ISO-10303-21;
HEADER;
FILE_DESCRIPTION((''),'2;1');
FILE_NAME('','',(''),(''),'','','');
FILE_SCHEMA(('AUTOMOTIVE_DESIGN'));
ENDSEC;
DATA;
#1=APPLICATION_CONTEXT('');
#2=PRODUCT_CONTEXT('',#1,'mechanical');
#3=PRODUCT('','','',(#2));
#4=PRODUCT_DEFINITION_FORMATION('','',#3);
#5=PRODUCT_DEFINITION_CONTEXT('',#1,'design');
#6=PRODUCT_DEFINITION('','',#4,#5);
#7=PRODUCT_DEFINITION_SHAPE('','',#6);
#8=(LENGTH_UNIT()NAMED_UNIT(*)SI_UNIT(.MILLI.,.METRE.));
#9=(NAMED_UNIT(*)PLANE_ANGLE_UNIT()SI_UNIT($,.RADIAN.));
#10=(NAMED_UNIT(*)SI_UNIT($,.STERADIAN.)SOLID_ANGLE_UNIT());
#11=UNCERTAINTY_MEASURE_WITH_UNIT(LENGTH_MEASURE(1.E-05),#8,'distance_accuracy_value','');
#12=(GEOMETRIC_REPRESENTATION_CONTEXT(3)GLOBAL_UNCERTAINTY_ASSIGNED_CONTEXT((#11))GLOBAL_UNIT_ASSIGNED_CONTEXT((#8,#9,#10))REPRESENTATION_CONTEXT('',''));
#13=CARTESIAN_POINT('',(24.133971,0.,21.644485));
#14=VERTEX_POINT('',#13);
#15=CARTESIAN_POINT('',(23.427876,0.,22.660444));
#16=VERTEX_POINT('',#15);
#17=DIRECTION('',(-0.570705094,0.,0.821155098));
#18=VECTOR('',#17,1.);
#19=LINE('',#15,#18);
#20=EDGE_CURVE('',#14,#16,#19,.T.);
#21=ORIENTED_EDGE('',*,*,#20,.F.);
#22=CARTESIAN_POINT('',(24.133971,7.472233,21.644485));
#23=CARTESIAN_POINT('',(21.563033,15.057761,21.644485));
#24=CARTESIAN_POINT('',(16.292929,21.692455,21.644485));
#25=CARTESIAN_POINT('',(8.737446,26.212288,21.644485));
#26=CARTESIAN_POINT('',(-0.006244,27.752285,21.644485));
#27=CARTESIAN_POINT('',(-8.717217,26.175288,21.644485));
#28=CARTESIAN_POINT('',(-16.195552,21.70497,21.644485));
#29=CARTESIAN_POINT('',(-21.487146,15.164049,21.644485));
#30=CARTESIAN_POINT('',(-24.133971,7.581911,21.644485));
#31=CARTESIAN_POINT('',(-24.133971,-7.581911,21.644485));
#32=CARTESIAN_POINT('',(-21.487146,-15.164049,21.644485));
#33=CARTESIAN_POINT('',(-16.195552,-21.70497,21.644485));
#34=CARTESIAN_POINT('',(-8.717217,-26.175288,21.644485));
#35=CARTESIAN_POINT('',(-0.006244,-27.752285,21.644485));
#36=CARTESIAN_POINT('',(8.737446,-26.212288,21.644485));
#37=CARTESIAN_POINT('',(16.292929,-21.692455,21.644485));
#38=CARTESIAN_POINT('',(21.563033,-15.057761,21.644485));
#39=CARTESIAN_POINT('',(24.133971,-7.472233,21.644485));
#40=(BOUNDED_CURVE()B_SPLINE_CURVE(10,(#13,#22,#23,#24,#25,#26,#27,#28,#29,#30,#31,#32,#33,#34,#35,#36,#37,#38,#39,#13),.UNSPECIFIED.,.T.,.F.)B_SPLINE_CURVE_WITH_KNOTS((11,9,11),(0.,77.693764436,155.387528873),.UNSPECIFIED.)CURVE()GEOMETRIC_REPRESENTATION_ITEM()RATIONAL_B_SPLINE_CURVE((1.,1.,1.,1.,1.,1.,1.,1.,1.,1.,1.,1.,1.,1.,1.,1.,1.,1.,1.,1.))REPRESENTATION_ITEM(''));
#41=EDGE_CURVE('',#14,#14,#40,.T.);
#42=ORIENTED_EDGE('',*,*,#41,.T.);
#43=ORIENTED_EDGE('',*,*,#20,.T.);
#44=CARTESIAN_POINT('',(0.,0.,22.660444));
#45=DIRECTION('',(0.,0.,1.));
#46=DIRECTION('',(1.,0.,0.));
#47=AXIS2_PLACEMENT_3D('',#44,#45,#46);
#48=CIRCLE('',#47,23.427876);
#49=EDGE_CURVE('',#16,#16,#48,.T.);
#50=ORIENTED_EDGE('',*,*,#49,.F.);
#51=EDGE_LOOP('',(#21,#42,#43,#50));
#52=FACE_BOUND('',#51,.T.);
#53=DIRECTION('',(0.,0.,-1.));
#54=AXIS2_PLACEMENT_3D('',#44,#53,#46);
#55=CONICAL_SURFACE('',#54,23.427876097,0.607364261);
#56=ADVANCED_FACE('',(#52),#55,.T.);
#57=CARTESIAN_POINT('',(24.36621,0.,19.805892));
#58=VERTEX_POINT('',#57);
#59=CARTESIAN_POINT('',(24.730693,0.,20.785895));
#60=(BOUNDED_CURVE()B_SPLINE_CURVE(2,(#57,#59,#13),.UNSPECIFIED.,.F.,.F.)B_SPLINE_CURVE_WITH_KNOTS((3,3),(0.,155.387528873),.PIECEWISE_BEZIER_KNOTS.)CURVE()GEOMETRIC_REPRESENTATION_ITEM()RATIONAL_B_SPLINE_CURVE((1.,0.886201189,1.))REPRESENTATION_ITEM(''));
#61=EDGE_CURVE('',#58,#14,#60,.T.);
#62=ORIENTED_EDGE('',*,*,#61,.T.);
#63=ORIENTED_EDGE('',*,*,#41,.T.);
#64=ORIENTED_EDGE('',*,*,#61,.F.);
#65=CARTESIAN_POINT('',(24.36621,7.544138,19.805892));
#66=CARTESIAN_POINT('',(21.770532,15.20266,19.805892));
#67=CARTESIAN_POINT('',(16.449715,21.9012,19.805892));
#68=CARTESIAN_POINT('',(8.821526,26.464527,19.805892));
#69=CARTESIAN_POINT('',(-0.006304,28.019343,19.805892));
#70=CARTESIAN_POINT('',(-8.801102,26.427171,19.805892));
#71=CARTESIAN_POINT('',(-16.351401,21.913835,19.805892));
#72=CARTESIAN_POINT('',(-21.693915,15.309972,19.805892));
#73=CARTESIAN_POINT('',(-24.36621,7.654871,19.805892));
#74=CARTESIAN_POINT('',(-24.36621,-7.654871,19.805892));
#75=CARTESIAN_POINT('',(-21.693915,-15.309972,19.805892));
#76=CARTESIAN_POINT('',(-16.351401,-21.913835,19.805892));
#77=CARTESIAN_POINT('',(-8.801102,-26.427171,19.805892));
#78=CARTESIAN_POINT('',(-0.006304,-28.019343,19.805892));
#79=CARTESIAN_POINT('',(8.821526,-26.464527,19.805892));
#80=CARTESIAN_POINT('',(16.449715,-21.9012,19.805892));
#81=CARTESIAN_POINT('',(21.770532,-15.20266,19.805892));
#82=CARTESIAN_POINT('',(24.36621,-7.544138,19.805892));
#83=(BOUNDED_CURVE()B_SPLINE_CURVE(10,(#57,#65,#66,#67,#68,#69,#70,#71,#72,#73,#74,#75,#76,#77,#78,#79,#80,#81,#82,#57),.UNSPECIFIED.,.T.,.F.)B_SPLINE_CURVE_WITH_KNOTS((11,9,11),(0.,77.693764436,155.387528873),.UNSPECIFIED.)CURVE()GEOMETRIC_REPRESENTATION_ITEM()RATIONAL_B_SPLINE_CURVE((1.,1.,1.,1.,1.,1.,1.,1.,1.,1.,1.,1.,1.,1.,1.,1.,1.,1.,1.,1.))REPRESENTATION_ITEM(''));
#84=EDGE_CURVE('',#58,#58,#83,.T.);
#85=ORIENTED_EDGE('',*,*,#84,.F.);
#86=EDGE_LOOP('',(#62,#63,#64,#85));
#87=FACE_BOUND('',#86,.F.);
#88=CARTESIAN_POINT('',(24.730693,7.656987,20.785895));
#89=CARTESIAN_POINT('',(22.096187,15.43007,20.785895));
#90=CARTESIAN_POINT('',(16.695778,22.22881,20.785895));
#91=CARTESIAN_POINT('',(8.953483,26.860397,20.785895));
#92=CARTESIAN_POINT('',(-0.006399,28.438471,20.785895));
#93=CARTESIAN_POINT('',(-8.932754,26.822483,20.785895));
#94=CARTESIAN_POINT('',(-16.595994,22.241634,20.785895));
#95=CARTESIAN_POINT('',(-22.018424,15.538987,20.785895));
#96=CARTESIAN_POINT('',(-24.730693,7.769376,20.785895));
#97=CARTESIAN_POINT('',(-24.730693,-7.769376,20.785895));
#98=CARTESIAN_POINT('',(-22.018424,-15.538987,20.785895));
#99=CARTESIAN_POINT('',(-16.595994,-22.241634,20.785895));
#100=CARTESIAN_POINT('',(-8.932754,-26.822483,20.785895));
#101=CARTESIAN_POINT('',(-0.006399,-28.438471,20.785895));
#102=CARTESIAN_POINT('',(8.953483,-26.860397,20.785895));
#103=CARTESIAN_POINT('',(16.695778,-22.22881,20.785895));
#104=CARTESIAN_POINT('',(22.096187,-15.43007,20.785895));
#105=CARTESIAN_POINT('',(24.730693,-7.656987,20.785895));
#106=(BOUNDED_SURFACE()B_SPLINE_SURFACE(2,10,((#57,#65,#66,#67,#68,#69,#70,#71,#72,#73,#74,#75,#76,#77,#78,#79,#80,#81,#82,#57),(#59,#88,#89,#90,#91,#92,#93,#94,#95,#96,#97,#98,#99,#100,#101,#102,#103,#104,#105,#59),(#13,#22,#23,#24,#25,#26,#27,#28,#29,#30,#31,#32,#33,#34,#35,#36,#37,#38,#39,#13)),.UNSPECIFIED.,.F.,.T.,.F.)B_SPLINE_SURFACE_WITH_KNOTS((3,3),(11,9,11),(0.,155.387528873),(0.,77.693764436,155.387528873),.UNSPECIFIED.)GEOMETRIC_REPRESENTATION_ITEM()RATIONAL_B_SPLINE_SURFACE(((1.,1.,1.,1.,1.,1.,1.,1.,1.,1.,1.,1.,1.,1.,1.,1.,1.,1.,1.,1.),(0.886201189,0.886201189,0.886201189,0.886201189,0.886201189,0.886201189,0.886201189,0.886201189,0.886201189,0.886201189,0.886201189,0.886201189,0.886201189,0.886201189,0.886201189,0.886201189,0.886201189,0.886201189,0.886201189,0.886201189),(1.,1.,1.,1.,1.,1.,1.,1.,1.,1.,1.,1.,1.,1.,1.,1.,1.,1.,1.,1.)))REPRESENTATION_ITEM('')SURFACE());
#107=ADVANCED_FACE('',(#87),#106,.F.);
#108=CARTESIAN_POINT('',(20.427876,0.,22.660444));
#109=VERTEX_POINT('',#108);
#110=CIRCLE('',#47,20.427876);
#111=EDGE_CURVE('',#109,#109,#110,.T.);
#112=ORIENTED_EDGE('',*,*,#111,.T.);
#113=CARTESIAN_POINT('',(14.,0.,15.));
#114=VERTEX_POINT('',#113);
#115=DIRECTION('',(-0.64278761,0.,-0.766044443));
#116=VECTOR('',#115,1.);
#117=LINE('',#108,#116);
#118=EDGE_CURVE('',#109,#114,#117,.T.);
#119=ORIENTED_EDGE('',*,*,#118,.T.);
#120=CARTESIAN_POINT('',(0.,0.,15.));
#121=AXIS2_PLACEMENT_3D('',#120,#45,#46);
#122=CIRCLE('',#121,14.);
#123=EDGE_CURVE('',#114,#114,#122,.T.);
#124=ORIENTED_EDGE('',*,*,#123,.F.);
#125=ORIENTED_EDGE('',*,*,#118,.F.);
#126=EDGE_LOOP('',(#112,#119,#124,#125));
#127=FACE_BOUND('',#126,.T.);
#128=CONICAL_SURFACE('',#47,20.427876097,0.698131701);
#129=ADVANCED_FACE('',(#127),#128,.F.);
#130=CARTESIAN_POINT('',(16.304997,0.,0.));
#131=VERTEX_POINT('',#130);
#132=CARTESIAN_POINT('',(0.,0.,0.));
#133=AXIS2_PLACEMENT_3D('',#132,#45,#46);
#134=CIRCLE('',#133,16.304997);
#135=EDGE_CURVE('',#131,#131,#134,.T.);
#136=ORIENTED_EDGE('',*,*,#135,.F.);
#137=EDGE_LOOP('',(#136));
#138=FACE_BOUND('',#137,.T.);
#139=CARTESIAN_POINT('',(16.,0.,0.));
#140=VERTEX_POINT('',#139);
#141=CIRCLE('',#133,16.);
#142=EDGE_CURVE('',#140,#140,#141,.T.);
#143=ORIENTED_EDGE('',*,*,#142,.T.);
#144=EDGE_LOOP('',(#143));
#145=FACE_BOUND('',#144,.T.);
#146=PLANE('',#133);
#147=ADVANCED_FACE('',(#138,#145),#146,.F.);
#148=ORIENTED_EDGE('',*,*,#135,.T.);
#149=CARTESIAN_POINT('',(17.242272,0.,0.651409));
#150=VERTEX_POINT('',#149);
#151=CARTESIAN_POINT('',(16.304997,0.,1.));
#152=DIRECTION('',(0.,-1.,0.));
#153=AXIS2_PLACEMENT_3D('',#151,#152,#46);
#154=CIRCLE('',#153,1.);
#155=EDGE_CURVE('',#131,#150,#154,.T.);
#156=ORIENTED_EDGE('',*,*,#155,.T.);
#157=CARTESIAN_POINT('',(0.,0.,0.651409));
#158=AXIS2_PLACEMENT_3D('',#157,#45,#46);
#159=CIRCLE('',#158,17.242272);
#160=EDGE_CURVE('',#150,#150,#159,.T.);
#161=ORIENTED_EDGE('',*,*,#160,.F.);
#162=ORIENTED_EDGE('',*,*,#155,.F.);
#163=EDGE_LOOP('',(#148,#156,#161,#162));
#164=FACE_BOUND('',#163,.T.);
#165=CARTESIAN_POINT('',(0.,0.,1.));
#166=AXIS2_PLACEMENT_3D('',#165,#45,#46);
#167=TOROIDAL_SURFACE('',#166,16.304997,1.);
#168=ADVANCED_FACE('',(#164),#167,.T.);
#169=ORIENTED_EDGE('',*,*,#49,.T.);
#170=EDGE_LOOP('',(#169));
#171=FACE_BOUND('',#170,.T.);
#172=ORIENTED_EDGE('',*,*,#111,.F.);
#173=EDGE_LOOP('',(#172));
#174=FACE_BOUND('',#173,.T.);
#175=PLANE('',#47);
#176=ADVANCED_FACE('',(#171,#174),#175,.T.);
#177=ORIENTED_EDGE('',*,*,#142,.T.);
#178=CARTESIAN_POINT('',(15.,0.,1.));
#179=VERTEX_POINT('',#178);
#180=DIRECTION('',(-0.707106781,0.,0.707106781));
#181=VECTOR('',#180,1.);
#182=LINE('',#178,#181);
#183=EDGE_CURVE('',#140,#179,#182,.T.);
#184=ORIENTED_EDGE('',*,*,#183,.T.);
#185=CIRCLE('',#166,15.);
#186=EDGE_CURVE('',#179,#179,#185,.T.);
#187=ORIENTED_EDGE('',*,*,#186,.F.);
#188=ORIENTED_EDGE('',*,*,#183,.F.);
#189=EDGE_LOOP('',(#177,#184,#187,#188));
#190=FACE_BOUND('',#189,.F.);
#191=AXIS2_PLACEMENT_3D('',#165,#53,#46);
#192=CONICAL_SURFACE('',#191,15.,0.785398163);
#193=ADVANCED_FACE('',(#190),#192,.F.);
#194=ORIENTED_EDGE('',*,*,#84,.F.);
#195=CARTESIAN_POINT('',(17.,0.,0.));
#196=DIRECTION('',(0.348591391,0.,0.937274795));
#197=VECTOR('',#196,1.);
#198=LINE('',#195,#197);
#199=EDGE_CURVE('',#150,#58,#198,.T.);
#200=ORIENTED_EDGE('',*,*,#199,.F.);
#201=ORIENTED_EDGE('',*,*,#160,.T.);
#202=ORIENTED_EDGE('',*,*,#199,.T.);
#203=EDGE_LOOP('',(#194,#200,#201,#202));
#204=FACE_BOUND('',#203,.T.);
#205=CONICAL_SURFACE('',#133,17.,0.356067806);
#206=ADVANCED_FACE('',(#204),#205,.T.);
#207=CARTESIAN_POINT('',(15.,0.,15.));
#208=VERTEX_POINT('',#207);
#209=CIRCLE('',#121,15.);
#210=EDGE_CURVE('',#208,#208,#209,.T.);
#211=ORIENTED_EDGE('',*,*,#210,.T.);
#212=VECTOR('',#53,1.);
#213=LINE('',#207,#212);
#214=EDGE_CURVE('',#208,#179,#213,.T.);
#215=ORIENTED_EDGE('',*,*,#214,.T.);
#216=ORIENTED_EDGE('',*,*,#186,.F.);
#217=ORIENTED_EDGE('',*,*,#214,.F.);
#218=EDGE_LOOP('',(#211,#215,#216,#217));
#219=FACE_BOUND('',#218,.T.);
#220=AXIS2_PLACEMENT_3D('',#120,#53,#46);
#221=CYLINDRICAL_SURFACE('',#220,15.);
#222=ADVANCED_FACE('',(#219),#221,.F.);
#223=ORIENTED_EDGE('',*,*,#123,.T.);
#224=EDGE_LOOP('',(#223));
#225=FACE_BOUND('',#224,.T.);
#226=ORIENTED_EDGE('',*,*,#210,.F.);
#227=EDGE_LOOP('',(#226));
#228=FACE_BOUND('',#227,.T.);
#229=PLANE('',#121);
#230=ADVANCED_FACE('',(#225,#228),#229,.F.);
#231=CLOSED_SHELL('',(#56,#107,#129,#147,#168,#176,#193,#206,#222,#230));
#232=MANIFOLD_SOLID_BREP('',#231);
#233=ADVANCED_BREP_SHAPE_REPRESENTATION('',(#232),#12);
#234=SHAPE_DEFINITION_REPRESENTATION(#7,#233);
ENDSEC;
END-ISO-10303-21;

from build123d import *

# Parameters (mm, degrees)
F2_SIZE = 2
F3_R    = 2
F4_SIZE = 1
F5_R    = 1


with BuildPart() as f1:
    # F0 (on Front) → F1 (revolve)
    with BuildSketch(Plane.XZ):
        Polygon((15, 15), (15, 0), (17, 0), (25.4278760969, 22.6604444312), (20.4278760969, 22.6604444312), (14, 15), align=None)
    revolve(axis=Axis((0, 0, 7.5), (0, 0, 1)))

    # F2
    f2_edges = [f1.edges().sort_by_distance(p)[0] for p in [
        (-25.427876, 0, 22.660444),
    ]]
    chamfer(f2_edges, length=F2_SIZE)

    # F3
    f3_edges = [f1.edges().sort_by_distance(p)[0] for p in [
        (-24.730693, 0, 20.785895),
    ]]
    fillet(f3_edges, radius=F3_R)

    # F4
    f4_edges = [f1.edges().sort_by_distance(p)[0] for p in [
        (-15, 0, 0),
    ]]
    chamfer(f4_edges, length=F4_SIZE)

    # F5
    f5_edges = [f1.edges().sort_by_distance(p)[0] for p in [
        (-17, 0, 0),
    ]]
    fillet(f5_edges, radius=F5_R)


solid = f1.part
